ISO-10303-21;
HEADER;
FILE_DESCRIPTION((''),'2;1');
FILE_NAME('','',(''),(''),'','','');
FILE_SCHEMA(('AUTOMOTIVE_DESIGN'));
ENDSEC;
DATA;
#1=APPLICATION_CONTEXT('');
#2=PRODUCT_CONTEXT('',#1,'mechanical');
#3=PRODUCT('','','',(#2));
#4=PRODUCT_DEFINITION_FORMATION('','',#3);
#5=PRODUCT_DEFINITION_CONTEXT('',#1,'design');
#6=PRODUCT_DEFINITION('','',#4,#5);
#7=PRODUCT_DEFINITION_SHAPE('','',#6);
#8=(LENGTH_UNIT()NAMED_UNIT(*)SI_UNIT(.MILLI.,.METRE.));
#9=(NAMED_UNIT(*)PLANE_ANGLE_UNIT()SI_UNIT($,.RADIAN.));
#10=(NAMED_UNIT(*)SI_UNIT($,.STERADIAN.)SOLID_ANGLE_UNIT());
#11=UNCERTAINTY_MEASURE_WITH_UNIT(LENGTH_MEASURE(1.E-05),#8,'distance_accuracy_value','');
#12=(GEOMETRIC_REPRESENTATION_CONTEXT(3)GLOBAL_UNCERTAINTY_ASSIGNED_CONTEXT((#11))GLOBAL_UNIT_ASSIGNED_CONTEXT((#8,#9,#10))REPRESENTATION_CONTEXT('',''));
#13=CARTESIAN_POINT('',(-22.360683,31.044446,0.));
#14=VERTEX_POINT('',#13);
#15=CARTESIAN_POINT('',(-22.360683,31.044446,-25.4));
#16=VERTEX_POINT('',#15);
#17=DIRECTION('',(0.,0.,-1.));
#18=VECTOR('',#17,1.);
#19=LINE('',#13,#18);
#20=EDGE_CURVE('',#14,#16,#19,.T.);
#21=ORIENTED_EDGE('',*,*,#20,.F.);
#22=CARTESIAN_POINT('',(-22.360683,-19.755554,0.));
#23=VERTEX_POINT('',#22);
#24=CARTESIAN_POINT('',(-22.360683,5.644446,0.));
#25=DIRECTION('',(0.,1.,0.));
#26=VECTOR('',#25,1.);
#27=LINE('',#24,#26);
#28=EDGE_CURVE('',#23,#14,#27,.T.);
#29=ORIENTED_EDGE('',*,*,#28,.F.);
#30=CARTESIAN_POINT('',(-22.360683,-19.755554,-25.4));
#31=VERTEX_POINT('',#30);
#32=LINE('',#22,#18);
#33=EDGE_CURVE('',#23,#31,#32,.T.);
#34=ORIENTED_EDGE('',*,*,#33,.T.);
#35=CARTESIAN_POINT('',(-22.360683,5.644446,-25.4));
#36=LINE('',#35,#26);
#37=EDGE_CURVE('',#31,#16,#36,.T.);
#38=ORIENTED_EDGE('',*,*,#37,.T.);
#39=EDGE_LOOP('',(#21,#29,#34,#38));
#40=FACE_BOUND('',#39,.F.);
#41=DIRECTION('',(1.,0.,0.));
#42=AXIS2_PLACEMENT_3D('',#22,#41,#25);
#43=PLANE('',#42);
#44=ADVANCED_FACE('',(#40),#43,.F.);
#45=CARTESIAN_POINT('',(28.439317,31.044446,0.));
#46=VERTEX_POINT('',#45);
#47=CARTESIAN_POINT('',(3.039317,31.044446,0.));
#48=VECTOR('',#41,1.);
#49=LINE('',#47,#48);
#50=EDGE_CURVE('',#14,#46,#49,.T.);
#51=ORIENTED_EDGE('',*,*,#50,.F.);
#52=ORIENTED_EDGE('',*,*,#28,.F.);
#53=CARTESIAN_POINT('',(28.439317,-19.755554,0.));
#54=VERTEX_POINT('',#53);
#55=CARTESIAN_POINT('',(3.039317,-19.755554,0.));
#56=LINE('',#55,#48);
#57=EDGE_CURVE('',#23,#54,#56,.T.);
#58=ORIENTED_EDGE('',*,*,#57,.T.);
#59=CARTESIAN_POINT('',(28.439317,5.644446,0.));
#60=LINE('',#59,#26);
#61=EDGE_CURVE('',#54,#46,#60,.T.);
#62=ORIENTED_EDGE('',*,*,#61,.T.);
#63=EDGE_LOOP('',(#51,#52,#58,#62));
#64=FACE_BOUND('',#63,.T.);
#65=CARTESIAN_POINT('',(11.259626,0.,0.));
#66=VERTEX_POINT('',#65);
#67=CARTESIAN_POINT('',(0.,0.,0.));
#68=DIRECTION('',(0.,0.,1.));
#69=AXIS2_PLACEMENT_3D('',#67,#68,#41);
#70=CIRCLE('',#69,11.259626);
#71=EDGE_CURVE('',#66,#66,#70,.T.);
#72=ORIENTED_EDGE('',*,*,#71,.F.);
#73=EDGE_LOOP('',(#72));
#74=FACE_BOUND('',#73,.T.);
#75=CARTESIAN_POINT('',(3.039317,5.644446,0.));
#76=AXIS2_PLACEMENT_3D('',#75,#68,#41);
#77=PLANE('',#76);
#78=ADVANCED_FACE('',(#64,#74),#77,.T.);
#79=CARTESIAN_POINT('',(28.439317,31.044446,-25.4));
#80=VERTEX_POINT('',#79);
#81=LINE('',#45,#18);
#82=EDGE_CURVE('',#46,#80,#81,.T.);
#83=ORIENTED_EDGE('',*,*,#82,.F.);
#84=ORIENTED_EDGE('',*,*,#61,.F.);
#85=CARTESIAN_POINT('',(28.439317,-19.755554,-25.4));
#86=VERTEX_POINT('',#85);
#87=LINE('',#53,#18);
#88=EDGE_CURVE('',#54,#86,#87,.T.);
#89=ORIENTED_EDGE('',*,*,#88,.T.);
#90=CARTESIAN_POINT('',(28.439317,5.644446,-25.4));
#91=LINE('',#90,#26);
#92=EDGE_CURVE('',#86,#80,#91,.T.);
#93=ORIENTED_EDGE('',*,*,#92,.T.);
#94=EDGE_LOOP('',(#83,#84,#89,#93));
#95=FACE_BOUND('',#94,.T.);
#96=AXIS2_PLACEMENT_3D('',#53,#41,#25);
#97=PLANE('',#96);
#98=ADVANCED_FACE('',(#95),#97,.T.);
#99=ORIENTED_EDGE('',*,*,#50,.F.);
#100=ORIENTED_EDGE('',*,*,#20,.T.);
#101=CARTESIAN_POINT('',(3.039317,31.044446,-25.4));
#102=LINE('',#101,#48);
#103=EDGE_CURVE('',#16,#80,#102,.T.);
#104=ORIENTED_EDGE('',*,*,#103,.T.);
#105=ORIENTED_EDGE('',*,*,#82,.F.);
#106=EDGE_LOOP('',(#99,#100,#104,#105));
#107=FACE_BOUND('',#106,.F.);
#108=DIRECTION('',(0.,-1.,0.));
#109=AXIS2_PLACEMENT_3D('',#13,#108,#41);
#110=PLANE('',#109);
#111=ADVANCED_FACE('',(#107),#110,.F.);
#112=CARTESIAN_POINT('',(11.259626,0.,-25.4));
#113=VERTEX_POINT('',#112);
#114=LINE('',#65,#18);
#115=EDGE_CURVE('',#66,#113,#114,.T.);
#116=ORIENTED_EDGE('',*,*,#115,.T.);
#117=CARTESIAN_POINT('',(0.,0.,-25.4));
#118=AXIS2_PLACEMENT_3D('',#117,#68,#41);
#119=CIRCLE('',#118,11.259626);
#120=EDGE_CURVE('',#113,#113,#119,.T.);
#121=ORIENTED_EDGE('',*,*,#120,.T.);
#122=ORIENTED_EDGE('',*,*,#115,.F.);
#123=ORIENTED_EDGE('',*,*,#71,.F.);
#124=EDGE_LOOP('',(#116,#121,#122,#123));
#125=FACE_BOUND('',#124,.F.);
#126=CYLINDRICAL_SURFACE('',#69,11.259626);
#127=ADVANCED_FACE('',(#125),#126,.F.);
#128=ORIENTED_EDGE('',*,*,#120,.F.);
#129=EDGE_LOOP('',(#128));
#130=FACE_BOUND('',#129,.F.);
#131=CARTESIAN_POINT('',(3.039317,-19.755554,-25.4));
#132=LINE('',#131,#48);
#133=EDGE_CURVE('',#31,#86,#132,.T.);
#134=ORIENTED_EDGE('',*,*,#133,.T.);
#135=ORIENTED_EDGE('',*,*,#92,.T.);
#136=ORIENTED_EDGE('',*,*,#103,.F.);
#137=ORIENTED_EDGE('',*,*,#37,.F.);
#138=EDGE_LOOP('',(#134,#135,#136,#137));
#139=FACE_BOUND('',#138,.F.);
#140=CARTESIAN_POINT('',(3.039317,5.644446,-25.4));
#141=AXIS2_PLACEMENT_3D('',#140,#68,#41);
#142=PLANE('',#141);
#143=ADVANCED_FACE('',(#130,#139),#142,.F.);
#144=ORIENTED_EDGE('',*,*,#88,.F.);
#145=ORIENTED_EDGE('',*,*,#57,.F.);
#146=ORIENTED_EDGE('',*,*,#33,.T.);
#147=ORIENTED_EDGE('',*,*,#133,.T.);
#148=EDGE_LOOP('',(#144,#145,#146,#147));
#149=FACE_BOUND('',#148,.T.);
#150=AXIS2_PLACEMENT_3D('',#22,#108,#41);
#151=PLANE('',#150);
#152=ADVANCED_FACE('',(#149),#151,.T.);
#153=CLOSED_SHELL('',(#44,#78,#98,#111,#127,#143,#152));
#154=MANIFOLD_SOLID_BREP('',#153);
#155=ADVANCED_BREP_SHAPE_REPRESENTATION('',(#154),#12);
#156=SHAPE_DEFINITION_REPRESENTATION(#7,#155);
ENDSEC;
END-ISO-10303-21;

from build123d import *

# Parameters (mm, degrees)
F0_W     = 50.8
F0_H     = 50.8
F0_R     = 11.259626
F1_DEPTH = 25.4


with BuildPart() as f1:
    # F0 (on Top) → F1 (new body)
    with BuildSketch(Plane.XY):
        with Locations((3.039317, 5.644446)):
            Rectangle(F0_W, F0_H)
        Circle(F0_R, mode=Mode.SUBTRACT)
    extrude(amount=-F1_DEPTH)


solid = f1.part
